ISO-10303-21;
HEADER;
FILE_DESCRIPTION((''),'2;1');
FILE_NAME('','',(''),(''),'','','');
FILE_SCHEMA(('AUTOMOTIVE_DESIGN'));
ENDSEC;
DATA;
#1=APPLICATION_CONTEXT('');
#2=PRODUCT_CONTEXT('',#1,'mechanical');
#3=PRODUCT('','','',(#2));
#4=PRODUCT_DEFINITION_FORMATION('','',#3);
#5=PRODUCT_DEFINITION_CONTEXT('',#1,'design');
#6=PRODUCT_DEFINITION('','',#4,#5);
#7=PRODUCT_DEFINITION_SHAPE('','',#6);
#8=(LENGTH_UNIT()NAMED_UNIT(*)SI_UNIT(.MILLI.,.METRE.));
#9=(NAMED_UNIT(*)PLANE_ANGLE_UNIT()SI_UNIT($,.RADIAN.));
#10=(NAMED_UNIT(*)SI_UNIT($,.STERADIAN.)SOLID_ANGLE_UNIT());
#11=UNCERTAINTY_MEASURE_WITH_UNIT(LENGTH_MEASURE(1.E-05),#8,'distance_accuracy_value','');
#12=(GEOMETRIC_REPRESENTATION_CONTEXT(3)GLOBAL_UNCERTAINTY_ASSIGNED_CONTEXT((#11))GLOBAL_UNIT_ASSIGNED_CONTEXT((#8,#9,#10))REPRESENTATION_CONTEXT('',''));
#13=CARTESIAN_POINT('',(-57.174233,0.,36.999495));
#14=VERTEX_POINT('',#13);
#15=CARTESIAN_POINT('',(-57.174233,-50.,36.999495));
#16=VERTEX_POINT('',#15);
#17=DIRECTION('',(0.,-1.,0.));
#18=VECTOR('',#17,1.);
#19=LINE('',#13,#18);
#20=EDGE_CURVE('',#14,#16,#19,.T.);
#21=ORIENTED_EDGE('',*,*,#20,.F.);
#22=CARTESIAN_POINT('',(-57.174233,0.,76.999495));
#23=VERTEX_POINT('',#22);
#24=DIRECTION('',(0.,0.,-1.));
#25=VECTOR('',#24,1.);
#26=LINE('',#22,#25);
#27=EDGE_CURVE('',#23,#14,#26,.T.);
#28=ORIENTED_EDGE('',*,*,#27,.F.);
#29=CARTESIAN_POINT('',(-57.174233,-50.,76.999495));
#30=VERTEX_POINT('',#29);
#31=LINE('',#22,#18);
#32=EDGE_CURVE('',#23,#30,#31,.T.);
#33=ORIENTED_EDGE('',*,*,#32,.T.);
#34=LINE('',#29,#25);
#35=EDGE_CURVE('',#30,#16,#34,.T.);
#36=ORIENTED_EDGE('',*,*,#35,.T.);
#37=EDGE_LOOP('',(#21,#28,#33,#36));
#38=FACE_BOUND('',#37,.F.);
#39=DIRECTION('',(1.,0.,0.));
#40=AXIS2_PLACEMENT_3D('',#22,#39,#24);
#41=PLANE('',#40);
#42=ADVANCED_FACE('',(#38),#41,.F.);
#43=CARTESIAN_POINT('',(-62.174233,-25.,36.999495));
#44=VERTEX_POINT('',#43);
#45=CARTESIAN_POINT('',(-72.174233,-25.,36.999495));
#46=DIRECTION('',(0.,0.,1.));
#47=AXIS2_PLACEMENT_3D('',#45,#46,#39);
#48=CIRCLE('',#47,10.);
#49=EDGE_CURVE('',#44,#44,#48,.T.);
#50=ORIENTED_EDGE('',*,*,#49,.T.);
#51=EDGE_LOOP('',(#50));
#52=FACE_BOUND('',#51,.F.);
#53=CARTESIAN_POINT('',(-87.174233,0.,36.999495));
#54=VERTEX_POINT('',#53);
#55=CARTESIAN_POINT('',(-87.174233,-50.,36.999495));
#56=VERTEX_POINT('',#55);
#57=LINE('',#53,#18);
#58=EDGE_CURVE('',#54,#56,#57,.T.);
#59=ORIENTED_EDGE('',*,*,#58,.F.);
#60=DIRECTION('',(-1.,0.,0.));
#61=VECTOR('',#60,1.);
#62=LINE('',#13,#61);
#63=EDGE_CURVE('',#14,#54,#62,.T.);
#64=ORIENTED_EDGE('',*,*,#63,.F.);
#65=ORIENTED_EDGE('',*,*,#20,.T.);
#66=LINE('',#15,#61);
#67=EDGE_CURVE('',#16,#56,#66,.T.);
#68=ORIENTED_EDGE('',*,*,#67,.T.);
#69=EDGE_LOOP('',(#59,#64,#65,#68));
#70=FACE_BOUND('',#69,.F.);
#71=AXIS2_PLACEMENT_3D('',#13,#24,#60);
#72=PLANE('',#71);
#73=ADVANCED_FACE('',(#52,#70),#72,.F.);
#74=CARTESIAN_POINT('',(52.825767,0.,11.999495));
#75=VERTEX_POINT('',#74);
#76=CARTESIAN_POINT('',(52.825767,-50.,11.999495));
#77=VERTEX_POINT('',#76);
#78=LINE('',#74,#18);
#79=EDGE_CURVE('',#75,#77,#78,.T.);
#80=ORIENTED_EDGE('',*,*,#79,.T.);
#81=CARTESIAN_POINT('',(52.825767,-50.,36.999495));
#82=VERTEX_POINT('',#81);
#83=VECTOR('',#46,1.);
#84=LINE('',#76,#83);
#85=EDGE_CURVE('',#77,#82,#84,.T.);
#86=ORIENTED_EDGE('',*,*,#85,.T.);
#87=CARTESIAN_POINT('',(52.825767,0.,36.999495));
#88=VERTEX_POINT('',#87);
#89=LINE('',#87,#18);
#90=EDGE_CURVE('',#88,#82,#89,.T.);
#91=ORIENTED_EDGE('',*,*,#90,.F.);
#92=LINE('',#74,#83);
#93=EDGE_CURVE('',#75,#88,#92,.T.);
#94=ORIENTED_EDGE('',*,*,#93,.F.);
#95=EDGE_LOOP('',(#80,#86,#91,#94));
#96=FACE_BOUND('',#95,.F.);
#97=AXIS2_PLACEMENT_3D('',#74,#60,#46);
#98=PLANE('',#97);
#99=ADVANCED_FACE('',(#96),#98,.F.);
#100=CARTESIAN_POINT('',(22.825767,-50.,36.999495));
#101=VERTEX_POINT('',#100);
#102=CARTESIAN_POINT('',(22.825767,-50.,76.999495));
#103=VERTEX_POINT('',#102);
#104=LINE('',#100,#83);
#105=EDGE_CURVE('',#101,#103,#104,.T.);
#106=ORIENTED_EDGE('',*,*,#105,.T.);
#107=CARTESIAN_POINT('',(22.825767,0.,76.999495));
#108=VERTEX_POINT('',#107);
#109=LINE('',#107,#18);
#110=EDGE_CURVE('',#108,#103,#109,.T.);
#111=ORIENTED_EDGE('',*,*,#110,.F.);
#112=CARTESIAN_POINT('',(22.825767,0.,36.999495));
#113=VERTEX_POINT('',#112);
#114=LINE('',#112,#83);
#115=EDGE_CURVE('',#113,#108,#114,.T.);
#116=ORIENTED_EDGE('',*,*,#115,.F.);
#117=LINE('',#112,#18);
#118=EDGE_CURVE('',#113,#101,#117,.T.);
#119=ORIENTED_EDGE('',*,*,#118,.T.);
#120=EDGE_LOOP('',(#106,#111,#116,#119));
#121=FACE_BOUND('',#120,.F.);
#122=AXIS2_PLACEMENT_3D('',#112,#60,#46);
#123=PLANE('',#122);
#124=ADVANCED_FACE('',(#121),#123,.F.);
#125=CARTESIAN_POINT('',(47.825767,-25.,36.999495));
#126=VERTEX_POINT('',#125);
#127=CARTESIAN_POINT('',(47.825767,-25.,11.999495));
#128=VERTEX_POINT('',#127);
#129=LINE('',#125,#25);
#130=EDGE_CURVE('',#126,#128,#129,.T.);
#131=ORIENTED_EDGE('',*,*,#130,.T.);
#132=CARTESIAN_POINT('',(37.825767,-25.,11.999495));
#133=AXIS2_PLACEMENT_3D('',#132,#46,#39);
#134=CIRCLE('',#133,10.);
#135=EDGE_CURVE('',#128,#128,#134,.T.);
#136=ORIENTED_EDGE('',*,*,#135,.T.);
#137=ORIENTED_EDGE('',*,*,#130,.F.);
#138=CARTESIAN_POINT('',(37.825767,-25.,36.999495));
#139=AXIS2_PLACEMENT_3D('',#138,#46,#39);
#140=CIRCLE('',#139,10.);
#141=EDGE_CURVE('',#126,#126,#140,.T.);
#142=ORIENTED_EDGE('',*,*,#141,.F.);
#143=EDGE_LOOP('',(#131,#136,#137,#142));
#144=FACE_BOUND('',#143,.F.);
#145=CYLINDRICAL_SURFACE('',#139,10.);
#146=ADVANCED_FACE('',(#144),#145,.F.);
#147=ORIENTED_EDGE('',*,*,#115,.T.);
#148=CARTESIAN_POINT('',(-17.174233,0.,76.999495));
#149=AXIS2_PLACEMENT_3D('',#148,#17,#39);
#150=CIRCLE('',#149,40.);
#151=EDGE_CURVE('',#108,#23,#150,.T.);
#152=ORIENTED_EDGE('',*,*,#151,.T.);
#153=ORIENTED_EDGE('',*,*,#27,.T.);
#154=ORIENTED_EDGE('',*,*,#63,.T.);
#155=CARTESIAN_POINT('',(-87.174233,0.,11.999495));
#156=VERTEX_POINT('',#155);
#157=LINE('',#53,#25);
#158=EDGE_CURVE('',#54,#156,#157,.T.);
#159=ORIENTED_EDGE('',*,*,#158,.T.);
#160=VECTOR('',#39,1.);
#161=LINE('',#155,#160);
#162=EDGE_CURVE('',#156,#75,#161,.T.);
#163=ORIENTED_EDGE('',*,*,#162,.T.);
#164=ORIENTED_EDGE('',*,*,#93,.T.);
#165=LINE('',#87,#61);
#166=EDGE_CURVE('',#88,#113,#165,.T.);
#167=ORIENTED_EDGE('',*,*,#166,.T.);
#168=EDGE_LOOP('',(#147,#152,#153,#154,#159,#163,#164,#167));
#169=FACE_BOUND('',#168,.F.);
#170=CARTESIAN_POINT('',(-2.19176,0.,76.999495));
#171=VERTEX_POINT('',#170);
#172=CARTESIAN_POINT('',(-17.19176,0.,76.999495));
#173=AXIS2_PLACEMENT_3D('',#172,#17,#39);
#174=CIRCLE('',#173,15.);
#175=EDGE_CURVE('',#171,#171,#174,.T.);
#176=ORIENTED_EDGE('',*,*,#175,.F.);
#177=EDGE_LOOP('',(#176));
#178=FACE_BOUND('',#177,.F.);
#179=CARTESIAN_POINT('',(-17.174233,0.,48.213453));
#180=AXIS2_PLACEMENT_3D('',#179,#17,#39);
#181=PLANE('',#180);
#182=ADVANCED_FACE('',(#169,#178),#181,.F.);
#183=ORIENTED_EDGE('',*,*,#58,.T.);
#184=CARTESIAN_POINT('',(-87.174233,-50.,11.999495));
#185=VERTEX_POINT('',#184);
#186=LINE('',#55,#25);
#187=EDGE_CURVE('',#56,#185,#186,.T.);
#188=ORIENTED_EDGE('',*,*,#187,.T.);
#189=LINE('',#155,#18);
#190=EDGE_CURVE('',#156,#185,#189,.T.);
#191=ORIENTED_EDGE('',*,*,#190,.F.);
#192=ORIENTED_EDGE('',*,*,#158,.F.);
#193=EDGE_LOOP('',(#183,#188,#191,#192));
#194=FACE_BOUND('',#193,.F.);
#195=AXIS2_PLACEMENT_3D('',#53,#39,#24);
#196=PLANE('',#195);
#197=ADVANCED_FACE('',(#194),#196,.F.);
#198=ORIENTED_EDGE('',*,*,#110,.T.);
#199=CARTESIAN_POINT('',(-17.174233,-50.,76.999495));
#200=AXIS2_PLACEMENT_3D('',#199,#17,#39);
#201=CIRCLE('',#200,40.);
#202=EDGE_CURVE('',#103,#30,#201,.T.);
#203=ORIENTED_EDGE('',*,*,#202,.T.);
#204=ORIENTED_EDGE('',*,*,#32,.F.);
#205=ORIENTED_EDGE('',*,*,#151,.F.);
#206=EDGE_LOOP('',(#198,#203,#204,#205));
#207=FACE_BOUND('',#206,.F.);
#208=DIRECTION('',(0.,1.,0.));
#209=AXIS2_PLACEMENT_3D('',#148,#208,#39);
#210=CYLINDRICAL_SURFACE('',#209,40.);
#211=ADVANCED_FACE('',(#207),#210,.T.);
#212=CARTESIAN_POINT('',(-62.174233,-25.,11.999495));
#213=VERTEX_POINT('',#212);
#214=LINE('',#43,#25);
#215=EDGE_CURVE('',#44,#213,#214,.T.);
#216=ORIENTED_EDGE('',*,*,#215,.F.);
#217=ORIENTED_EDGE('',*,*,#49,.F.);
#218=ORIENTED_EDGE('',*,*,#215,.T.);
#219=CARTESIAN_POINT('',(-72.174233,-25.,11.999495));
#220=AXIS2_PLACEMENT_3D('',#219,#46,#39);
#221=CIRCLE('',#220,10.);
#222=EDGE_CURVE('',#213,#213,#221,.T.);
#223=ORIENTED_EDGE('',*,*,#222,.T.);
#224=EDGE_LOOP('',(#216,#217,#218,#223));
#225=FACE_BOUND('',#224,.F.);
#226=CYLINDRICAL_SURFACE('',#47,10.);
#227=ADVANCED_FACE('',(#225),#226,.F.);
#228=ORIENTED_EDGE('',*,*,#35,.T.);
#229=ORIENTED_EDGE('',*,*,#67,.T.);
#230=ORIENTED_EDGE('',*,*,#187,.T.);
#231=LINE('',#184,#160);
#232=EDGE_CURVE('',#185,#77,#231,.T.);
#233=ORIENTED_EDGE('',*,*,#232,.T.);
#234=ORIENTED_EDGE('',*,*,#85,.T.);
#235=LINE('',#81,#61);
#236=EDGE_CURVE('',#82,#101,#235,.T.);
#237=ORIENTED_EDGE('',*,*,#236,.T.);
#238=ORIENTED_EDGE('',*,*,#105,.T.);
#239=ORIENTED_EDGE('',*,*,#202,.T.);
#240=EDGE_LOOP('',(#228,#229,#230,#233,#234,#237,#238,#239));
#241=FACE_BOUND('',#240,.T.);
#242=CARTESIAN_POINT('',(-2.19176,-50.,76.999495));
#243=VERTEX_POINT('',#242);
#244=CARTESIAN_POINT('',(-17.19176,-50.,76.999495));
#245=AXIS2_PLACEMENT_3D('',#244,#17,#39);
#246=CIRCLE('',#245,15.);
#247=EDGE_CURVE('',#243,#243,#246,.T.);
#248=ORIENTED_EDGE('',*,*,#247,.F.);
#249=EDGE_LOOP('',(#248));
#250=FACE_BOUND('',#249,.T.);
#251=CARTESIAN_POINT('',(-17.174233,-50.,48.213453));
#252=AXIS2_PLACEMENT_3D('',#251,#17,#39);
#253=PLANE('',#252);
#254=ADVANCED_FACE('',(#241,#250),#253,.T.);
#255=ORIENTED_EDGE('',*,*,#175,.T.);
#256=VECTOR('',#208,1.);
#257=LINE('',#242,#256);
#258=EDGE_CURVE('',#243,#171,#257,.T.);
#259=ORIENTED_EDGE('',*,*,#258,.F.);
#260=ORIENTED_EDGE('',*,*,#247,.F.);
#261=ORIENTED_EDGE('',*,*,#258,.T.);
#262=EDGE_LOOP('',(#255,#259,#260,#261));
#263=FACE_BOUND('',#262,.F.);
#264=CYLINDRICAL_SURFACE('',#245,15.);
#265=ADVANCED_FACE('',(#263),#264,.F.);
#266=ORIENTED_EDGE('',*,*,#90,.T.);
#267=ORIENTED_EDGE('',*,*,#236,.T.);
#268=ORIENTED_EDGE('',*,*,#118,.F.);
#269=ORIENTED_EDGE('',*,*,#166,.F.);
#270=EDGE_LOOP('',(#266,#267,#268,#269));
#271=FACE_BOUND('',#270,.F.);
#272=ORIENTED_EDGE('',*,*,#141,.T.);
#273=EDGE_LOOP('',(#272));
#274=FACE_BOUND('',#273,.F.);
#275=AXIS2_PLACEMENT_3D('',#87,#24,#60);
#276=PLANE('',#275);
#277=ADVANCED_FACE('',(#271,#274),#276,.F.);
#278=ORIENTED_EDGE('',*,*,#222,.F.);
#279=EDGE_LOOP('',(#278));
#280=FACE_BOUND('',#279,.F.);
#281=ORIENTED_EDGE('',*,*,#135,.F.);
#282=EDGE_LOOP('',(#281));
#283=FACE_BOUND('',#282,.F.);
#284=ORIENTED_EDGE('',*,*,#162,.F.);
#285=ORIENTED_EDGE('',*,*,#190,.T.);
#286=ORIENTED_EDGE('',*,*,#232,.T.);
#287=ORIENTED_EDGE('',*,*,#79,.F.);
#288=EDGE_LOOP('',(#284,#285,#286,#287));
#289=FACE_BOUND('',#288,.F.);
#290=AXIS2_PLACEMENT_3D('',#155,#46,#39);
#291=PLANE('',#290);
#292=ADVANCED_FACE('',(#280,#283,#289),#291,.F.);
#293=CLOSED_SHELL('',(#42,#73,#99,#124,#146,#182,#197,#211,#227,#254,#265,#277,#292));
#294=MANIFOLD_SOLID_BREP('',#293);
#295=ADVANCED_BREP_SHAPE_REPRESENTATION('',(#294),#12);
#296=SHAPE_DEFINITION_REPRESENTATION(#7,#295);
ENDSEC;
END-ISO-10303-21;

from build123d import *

# Parameters (mm, degrees)
F1_DEPTH = 50
F2_R     = 15
F3_DEPTH = 51
F4_R     = 10
F5_DEPTH = 51


with BuildPart() as f1:
    # F0 (on Front) → F1 (new body)
    with BuildSketch(Plane.XZ):
        with BuildLine():
            Line((-57.174233, 36.999495), (-87.174233, 36.999495))
            Line((-87.174233, 36.999495), (-87.174233, 11.999495))
            Line((-87.174233, 11.999495), (52.825767, 11.999495))
            Line((52.825767, 11.999495), (52.825767, 36.999495))
            Line((52.825767, 36.999495), (22.825767, 36.999495))
            Line((22.825767, 36.999495), (22.825767, 76.999495))
            ThreePointArc((22.825767, 76.999495), (-17.174233, 116.999495), (-57.174233, 76.999495))
            Line((-57.174233, 76.999495), (-57.174233, 36.999495))
        make_face()
    extrude(amount=F1_DEPTH)

    # F2 (on face) → F3 (cut)
    with BuildSketch(Plane.XZ.offset(50)):
        with Locations((-17.19176, 76.999495)):
            Circle(F2_R)
    extrude(amount=-F3_DEPTH, mode=Mode.SUBTRACT)

    # F4 (on face) → F5 (cut)
    with BuildSketch(Plane.XY.offset(36.999495)):
        with Locations((-72.174233, -25)):
            Circle(F4_R)
        with Locations((37.825767, -25)):
            Circle(F4_R)
    extrude(amount=-F5_DEPTH, mode=Mode.SUBTRACT)


solid = f1.part
